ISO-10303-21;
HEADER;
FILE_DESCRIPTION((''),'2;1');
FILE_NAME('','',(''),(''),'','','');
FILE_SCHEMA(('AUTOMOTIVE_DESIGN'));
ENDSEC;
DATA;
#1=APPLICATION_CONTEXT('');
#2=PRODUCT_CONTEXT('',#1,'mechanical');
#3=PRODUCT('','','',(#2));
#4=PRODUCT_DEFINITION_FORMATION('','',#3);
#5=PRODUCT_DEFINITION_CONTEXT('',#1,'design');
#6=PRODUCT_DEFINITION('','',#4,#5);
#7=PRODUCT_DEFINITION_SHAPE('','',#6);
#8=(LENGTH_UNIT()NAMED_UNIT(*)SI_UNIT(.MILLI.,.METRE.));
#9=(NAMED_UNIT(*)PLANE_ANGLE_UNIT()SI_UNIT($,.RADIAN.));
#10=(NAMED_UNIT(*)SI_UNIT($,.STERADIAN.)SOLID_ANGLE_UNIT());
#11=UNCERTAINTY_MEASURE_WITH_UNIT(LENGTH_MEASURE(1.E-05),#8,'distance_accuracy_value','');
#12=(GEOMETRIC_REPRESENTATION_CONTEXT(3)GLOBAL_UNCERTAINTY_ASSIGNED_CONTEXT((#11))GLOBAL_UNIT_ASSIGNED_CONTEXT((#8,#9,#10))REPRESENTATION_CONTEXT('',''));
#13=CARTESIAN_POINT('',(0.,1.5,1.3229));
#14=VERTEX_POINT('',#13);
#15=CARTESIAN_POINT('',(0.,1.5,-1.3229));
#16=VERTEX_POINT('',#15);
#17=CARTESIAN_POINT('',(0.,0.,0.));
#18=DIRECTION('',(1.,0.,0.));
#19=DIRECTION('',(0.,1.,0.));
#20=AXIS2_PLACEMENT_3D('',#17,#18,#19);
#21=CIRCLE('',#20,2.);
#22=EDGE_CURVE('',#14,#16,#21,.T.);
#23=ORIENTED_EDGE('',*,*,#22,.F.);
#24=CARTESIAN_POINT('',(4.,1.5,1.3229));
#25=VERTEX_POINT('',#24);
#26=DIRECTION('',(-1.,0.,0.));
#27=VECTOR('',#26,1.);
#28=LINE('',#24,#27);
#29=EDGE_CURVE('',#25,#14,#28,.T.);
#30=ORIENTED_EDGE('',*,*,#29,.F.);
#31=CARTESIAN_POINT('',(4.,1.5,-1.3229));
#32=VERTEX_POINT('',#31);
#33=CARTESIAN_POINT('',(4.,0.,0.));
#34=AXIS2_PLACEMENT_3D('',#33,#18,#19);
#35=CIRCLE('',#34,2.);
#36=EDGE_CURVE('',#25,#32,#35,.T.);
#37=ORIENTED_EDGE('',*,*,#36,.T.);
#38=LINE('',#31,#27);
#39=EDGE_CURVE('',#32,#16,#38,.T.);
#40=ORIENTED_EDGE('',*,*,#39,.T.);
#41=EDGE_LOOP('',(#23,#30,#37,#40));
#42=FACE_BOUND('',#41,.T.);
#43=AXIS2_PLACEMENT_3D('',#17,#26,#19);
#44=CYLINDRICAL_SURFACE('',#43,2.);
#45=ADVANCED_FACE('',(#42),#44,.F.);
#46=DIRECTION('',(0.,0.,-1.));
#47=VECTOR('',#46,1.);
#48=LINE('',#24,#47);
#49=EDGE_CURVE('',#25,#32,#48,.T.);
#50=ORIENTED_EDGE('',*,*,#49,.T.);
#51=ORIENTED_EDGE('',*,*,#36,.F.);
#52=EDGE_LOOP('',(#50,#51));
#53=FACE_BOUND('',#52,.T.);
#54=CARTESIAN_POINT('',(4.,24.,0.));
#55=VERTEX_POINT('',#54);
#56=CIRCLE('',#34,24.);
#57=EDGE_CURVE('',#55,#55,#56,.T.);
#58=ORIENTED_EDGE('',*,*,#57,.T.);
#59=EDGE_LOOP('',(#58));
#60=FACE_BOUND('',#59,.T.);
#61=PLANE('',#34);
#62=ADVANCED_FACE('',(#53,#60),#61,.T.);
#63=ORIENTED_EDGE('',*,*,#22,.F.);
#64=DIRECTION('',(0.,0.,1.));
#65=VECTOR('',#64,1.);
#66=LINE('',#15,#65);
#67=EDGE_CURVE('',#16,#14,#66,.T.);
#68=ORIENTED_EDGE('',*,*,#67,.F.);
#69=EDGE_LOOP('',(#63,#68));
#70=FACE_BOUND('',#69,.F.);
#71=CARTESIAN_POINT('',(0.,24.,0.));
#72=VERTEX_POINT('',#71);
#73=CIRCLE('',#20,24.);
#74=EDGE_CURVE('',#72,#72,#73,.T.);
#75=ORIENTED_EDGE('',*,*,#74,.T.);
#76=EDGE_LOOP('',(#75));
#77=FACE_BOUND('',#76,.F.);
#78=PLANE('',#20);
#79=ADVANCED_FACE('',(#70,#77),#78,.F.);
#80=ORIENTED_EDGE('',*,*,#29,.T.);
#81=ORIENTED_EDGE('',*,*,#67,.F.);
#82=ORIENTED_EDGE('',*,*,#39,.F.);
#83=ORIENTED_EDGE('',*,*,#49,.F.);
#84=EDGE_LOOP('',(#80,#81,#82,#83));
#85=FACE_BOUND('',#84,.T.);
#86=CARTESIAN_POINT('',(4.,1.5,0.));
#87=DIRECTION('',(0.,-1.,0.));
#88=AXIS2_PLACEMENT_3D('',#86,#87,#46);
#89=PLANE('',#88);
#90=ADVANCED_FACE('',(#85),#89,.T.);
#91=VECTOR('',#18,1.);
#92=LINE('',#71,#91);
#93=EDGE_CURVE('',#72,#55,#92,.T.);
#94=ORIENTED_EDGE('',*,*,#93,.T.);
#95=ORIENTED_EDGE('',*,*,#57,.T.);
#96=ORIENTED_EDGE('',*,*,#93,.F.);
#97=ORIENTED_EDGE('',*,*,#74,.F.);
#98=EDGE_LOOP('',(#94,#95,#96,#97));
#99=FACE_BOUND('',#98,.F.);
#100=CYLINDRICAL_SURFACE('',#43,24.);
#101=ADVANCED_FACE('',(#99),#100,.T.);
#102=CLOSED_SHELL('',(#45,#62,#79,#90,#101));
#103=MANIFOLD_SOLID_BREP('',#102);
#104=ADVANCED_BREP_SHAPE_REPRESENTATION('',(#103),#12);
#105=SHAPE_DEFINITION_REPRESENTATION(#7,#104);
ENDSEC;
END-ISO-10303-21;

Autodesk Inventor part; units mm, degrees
ref_plane "YZ Plane" through (0, 0, 0) normal (1, 0, 0) x (0, 1, 0)
ref_plane "XZ Plane" through (0, 0, 0) normal (0, 1, 0) x (-1, 0, 0)
ref_plane "XY Plane" through (0, 0, 0) normal (0, 0, 1) x (1, 0, 0)
sketch "Sketch1" plane through (0, 0, 0) normal (1, 0, 0) x (0, 1, 0)
  circle A0 centre (0, 0) radius 24
  circle A1 centre (0, 0) radius 2
  dimension "d0" = 48
  dimension "d1" = 4
extrude "Extrusion1" add sketch "Sketch1" along normal blind 4
sketch "Sketch3" plane through (4, 0, 0) normal (1, 0, 0) x (0, 0, -1)
  circle A0 centre (0, 0) radius 2 projected
  line L0 (0, -2) -> (0, 1.5)
  line L1 (0, 1.5) -> (1.3229, 1.5)
  line L2 (0, 1.5) -> (-1.3229, 1.5)
  dimension "d7" = 3.5
extrude "Extrusion3" add sketch "Sketch3" against normal blind 4 contours L1 L2 A0
properties part number "wheel small"
